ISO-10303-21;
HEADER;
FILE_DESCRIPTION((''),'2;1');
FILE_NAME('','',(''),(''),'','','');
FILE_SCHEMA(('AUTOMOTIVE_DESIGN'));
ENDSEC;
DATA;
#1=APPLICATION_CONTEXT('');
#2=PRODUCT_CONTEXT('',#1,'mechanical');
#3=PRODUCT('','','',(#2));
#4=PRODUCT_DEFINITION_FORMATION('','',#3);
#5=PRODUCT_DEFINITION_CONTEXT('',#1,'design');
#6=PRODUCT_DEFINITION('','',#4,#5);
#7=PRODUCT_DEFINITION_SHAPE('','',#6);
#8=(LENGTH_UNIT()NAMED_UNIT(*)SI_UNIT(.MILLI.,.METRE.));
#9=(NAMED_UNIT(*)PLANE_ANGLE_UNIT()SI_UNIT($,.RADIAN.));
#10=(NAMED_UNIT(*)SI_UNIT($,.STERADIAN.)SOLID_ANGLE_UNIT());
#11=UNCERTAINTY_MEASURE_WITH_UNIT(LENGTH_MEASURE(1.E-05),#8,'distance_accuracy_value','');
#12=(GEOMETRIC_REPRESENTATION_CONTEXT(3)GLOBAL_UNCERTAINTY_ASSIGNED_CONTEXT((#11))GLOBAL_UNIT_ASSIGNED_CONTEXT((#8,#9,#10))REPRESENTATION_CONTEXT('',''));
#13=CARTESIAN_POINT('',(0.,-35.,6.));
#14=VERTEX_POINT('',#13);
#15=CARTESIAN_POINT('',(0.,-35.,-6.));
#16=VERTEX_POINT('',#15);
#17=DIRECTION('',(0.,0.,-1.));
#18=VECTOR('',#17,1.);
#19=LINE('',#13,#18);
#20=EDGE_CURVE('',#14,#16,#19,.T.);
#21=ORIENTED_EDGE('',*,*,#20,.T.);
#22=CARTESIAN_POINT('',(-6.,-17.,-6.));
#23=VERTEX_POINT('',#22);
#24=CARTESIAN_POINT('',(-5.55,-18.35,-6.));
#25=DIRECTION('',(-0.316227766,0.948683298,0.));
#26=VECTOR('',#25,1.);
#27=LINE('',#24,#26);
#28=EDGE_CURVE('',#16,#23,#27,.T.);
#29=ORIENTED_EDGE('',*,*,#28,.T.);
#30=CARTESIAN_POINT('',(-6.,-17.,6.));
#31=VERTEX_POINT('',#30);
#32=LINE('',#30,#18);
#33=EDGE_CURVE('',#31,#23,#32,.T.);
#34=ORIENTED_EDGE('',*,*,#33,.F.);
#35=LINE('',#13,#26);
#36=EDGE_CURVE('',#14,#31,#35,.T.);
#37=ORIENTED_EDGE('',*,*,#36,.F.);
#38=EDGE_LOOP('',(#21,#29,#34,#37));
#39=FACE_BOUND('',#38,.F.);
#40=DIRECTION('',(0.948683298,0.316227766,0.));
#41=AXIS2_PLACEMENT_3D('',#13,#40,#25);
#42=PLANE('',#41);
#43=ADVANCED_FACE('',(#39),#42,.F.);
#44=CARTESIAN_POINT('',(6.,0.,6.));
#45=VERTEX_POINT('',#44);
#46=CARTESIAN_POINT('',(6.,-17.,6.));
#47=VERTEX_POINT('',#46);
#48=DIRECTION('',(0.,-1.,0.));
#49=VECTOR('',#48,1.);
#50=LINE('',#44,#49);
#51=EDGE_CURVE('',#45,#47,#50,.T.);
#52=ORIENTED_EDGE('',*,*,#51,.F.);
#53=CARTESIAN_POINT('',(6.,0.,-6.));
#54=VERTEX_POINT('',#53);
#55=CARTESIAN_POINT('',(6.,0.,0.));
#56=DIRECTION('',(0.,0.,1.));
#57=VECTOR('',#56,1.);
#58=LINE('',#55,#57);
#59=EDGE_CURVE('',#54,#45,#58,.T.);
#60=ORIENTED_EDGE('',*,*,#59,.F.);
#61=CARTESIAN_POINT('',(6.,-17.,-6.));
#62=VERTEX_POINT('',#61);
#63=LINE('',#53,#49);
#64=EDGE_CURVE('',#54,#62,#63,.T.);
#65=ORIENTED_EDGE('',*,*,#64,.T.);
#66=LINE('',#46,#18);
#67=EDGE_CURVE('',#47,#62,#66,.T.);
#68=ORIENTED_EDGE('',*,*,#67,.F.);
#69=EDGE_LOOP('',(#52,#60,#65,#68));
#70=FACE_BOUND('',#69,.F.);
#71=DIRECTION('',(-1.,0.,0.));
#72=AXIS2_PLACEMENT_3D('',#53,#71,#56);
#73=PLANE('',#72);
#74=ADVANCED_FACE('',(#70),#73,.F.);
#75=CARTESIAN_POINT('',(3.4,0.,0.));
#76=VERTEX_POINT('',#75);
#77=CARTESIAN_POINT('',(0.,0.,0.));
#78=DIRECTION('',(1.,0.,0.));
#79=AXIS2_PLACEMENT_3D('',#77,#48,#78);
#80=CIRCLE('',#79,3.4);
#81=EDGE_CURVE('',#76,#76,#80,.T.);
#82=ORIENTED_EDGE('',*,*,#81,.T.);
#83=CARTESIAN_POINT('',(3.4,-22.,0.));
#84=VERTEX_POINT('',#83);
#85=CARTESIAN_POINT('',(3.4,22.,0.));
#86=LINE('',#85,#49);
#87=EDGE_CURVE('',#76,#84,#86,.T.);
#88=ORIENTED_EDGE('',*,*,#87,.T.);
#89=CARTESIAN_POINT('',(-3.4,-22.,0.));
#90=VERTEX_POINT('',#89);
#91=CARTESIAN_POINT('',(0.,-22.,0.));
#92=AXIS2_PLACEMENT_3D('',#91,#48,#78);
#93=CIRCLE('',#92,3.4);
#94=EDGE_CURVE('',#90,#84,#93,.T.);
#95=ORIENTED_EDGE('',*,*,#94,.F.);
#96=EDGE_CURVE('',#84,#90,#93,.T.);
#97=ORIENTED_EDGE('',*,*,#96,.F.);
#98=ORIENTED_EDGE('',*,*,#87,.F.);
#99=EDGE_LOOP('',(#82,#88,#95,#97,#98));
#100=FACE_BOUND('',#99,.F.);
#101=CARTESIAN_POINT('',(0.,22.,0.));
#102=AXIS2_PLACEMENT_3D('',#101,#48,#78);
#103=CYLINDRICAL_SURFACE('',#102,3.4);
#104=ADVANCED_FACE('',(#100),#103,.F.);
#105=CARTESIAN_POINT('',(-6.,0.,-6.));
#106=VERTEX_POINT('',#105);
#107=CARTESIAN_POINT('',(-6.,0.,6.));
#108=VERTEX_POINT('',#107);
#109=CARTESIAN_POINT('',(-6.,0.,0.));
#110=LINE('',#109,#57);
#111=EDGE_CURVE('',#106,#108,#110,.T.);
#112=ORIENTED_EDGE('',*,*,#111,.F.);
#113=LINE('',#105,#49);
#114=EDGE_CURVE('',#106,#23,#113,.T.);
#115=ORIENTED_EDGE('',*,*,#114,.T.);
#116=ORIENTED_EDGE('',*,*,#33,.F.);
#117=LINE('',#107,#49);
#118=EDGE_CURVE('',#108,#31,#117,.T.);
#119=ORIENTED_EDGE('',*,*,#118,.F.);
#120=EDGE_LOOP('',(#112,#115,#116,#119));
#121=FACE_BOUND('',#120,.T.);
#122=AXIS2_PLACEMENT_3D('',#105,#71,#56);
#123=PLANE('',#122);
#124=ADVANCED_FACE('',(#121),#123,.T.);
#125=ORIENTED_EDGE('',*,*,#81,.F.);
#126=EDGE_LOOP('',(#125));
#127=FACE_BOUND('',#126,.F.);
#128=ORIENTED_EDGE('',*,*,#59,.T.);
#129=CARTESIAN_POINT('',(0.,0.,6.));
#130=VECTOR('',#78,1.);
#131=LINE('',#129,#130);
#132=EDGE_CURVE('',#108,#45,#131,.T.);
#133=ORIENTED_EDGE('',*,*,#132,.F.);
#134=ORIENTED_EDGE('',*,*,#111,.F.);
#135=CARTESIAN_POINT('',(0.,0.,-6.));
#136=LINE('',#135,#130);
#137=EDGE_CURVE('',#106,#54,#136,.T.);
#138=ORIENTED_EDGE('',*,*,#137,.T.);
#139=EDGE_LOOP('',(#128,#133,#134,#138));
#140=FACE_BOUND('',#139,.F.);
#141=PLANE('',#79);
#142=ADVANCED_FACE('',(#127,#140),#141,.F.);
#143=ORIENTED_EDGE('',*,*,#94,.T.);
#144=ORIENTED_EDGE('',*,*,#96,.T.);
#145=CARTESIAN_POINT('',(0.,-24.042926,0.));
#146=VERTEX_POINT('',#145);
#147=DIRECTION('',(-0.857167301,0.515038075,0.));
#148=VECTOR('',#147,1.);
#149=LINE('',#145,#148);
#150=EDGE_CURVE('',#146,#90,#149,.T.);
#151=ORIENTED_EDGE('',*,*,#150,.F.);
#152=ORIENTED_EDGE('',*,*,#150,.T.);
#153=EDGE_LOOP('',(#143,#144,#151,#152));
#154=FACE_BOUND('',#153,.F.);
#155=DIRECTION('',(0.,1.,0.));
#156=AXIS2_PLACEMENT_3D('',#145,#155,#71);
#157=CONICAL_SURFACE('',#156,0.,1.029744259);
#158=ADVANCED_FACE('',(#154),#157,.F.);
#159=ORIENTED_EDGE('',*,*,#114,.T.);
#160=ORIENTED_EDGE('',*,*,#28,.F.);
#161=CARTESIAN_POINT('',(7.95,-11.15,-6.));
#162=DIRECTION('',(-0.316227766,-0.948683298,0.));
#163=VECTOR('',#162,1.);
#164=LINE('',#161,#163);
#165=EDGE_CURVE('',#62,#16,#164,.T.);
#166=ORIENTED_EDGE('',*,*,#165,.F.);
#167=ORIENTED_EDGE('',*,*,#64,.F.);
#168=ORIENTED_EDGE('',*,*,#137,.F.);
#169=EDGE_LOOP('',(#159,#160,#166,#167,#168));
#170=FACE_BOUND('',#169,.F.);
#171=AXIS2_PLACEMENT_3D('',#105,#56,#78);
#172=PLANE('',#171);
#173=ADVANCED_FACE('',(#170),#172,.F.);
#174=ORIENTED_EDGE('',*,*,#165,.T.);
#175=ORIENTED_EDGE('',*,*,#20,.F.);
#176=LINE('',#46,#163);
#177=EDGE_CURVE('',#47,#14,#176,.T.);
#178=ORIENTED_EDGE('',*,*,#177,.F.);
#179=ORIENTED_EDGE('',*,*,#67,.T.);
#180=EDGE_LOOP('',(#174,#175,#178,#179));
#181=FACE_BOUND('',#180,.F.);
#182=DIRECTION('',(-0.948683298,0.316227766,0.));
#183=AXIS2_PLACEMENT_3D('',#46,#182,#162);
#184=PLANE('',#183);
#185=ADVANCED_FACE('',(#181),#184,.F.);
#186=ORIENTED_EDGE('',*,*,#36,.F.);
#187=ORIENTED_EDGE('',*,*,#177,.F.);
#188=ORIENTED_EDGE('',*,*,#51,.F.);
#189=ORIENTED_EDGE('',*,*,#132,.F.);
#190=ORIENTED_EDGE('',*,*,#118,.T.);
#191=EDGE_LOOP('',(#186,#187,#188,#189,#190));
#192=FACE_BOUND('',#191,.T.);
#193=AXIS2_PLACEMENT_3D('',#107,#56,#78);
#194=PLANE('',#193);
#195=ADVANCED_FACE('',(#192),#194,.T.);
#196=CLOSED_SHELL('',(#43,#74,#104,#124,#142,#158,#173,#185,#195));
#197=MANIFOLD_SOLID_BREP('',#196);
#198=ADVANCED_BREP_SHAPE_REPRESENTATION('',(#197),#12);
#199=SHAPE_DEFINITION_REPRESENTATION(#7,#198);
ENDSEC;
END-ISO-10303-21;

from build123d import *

# Parameters (mm, degrees)
F0_W     = 12
F0_H     = 12
F1_DEPTH = 35
F3_DEPTH = 25
F5_D     = 6.8
F5_DEPTH = 22
F5_TIP   = 2.0429261047


with BuildPart() as f1:
    # F0 (on Front) → F1 (new body)
    with BuildSketch(Plane.XZ):
        Rectangle(F0_W, F0_H)
    extrude(amount=F1_DEPTH)

    # F2 (on face) → F3 (cut)
    with BuildSketch(Plane.XY.offset(6)):
        Polygon((-6, -35), (0, -35), (-6, -17), align=None)
        Polygon((6, -17), (0, -35), (6, -35), align=None)
    extrude(amount=-F3_DEPTH, mode=Mode.SUBTRACT)

    # F5
    with Locations(Plane(origin=(0, 0, 0), x_dir=(-1, 0, 0), z_dir=(0, 1, 0))):
        with Locations((0, 0)):
            Hole(F5_D / 2, depth=F5_DEPTH)
            with Locations((0, 0, -(F5_DEPTH + F5_TIP / 2))):  # 118° drill point
                Cone(0, F5_D / 2, F5_TIP, mode=Mode.SUBTRACT)


solid = f1.part
